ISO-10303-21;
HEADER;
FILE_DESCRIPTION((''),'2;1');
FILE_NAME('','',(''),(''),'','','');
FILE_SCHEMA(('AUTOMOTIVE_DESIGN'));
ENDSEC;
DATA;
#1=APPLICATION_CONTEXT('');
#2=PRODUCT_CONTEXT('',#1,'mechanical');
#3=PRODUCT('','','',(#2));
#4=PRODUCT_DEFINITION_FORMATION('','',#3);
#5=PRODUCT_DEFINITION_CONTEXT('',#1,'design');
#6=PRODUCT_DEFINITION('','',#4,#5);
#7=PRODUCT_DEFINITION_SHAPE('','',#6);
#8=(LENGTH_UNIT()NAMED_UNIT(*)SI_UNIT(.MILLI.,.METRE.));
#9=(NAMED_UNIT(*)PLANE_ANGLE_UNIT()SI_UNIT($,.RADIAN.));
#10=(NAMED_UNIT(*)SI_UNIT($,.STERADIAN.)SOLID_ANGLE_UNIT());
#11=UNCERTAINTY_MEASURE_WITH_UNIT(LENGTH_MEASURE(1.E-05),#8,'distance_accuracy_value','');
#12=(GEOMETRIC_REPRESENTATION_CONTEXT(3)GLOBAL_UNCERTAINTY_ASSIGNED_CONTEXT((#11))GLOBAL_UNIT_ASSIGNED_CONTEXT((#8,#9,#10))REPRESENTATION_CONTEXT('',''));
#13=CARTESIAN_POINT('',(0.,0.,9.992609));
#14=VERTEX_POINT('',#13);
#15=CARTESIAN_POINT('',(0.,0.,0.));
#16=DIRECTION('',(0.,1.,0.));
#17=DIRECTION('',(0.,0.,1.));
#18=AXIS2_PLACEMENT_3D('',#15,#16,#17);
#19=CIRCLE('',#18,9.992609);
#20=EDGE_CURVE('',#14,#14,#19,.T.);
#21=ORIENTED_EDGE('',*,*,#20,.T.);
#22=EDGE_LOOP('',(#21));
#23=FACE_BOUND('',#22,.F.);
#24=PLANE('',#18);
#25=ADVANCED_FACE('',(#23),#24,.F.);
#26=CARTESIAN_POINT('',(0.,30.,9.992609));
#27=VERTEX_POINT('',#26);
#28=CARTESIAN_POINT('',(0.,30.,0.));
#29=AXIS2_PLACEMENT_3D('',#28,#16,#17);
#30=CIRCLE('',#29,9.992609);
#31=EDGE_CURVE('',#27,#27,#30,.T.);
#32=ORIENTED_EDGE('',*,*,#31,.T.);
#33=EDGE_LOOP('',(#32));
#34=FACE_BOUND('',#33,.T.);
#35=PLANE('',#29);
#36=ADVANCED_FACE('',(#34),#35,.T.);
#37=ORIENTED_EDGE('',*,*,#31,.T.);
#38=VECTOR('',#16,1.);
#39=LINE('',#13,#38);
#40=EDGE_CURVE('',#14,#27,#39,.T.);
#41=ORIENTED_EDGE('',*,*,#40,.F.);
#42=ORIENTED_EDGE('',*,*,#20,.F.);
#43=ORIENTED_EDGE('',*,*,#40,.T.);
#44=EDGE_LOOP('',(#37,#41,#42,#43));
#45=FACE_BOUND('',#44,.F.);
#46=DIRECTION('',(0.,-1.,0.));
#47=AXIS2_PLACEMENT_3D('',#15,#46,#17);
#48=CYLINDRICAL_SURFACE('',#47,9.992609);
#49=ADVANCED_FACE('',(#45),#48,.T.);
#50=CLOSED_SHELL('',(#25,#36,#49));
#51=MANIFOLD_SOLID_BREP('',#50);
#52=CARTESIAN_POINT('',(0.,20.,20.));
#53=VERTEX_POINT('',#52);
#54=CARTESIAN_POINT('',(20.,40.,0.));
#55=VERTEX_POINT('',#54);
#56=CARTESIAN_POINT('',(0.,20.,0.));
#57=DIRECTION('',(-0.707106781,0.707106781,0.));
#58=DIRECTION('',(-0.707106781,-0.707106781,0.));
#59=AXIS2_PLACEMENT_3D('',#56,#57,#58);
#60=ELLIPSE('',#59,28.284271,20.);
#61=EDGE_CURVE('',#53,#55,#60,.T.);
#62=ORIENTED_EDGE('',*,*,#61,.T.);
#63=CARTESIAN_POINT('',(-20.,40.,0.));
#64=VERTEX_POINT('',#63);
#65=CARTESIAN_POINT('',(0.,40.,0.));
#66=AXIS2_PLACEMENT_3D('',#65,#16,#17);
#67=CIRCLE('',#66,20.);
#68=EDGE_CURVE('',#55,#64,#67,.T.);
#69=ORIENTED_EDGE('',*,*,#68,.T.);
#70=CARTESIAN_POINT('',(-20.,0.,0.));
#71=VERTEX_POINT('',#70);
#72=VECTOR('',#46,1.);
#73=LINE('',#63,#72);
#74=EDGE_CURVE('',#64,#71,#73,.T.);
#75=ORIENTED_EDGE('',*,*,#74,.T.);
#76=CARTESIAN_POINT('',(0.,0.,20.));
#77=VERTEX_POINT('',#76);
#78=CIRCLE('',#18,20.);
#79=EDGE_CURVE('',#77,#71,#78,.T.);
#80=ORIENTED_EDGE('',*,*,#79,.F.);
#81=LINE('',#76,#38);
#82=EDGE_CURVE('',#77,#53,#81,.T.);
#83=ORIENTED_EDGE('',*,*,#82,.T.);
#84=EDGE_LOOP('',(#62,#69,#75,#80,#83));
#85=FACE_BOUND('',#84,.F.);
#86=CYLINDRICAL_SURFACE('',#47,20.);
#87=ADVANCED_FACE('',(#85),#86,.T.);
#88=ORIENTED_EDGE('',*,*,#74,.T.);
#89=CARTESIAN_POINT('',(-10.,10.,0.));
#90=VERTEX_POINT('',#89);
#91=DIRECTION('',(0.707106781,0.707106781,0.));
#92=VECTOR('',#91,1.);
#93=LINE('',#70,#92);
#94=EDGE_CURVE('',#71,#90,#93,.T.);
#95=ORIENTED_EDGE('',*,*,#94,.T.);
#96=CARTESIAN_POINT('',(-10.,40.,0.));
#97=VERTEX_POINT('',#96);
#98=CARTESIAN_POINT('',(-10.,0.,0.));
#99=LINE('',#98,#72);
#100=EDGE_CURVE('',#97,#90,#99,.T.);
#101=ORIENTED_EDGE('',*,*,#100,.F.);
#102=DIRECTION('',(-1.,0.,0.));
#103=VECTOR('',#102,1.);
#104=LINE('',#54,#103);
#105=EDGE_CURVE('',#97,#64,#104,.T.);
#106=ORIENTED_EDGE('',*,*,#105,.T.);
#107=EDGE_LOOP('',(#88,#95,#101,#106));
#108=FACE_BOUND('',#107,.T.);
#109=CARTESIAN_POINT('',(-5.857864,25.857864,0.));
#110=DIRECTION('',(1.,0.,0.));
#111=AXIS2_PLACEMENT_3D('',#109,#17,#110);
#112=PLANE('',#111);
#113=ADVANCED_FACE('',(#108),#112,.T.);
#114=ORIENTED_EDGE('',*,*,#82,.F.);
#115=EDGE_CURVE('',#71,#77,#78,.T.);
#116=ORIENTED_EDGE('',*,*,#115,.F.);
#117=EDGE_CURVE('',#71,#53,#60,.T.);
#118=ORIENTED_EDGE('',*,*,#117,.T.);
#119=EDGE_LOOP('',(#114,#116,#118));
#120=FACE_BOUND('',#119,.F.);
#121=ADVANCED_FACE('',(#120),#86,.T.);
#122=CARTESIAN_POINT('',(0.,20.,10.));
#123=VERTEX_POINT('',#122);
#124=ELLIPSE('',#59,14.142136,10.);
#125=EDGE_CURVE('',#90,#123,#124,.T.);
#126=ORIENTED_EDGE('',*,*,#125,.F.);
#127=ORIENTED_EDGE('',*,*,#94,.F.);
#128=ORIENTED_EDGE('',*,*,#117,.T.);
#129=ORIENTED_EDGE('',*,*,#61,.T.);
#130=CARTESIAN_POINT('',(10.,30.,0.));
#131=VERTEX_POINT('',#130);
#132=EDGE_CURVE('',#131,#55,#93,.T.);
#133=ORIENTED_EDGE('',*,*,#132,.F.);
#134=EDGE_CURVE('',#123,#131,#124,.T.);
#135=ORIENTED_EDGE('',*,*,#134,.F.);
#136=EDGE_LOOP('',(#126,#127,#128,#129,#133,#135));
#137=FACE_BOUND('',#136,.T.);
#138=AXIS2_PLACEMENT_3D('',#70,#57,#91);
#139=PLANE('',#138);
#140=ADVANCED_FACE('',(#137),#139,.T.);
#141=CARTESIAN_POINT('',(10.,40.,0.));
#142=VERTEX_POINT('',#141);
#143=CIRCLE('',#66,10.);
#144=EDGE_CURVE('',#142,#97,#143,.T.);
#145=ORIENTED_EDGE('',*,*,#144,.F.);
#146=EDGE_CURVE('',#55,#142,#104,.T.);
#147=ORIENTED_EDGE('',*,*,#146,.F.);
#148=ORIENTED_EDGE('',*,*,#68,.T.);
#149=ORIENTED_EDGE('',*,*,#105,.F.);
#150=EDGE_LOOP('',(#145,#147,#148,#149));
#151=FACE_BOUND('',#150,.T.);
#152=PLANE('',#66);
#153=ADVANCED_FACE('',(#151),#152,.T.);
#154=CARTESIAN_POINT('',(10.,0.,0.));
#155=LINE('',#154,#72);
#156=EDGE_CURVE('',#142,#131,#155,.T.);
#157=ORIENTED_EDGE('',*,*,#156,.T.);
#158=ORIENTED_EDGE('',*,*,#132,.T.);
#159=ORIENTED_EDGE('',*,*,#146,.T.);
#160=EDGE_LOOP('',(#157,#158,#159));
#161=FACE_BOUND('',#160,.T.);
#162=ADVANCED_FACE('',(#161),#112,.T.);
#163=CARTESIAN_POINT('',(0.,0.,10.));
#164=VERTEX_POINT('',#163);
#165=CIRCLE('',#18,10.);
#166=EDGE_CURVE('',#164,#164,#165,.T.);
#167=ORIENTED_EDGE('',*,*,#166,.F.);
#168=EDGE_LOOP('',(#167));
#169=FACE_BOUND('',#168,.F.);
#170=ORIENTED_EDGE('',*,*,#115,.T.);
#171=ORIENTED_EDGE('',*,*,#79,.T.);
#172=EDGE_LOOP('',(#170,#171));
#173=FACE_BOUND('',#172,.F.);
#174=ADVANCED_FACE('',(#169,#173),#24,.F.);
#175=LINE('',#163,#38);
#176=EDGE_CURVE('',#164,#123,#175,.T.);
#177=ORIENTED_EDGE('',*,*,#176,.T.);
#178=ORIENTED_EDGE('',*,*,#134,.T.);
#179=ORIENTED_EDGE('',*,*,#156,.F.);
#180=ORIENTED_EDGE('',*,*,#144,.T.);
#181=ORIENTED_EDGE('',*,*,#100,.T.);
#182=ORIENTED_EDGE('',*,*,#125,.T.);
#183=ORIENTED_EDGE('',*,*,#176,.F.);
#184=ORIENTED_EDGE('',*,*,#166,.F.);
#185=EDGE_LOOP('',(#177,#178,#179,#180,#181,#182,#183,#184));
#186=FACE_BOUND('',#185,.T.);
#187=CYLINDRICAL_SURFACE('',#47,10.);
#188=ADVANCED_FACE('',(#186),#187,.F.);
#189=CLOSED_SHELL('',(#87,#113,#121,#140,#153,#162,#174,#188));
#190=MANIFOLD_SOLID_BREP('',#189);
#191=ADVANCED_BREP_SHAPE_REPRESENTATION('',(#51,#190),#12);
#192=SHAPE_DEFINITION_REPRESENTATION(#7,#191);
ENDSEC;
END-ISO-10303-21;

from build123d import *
from build123d.topology import SkipClean

# Parameters (mm, degrees)
SKETCH1_R           = 20
SKETCH1_R_2         = 10
BOSS_EXTRUDE3_DEPTH = 40
CUT_EXTRUDE2_DEPTH  = 40
SKETCH5_R           = 9.992609398
BOSS_EXTRUDE4_DEPTH = 30


with BuildPart() as part:
    # Sketch1 → Boss-Extrude3 (new body)
    with BuildSketch(Plane(origin=(0, 0, 0), x_dir=(1, 0, 0), z_dir=(0, 1, 0))):
        with Locations(Location((0, 0, 0), (0, 0, 270))):
            Circle(SKETCH1_R)
        with Locations(Location((0, 0, 0), (0, 0, 270))):
            Circle(SKETCH1_R_2, mode=Mode.SUBTRACT)
    extrude(amount=BOSS_EXTRUDE3_DEPTH)

    # Sketch4 → Cut-Extrude2 (cut)
    with SkipClean():  # the faces are left unmerged after this step: merging them gives an invalid solid
        with BuildSketch(Plane.XY):
            Polygon((-20, 0), (20, 40), (-20, 40), align=None)
        extrude(amount=CUT_EXTRUDE2_DEPTH, mode=Mode.SUBTRACT)


with BuildPart() as body_2:
    # Sketch5 → Boss-Extrude4 (new body)
    with BuildSketch(Plane(origin=(0, 0, 0), x_dir=(1, 0, 0), z_dir=(0, 1, 0))):
        with Locations(Location((0, 0, 0), (0, 0, 270))):
            Circle(SKETCH5_R)
    extrude(amount=BOSS_EXTRUDE4_DEPTH)


solid = Compound([part.part, body_2.part])
